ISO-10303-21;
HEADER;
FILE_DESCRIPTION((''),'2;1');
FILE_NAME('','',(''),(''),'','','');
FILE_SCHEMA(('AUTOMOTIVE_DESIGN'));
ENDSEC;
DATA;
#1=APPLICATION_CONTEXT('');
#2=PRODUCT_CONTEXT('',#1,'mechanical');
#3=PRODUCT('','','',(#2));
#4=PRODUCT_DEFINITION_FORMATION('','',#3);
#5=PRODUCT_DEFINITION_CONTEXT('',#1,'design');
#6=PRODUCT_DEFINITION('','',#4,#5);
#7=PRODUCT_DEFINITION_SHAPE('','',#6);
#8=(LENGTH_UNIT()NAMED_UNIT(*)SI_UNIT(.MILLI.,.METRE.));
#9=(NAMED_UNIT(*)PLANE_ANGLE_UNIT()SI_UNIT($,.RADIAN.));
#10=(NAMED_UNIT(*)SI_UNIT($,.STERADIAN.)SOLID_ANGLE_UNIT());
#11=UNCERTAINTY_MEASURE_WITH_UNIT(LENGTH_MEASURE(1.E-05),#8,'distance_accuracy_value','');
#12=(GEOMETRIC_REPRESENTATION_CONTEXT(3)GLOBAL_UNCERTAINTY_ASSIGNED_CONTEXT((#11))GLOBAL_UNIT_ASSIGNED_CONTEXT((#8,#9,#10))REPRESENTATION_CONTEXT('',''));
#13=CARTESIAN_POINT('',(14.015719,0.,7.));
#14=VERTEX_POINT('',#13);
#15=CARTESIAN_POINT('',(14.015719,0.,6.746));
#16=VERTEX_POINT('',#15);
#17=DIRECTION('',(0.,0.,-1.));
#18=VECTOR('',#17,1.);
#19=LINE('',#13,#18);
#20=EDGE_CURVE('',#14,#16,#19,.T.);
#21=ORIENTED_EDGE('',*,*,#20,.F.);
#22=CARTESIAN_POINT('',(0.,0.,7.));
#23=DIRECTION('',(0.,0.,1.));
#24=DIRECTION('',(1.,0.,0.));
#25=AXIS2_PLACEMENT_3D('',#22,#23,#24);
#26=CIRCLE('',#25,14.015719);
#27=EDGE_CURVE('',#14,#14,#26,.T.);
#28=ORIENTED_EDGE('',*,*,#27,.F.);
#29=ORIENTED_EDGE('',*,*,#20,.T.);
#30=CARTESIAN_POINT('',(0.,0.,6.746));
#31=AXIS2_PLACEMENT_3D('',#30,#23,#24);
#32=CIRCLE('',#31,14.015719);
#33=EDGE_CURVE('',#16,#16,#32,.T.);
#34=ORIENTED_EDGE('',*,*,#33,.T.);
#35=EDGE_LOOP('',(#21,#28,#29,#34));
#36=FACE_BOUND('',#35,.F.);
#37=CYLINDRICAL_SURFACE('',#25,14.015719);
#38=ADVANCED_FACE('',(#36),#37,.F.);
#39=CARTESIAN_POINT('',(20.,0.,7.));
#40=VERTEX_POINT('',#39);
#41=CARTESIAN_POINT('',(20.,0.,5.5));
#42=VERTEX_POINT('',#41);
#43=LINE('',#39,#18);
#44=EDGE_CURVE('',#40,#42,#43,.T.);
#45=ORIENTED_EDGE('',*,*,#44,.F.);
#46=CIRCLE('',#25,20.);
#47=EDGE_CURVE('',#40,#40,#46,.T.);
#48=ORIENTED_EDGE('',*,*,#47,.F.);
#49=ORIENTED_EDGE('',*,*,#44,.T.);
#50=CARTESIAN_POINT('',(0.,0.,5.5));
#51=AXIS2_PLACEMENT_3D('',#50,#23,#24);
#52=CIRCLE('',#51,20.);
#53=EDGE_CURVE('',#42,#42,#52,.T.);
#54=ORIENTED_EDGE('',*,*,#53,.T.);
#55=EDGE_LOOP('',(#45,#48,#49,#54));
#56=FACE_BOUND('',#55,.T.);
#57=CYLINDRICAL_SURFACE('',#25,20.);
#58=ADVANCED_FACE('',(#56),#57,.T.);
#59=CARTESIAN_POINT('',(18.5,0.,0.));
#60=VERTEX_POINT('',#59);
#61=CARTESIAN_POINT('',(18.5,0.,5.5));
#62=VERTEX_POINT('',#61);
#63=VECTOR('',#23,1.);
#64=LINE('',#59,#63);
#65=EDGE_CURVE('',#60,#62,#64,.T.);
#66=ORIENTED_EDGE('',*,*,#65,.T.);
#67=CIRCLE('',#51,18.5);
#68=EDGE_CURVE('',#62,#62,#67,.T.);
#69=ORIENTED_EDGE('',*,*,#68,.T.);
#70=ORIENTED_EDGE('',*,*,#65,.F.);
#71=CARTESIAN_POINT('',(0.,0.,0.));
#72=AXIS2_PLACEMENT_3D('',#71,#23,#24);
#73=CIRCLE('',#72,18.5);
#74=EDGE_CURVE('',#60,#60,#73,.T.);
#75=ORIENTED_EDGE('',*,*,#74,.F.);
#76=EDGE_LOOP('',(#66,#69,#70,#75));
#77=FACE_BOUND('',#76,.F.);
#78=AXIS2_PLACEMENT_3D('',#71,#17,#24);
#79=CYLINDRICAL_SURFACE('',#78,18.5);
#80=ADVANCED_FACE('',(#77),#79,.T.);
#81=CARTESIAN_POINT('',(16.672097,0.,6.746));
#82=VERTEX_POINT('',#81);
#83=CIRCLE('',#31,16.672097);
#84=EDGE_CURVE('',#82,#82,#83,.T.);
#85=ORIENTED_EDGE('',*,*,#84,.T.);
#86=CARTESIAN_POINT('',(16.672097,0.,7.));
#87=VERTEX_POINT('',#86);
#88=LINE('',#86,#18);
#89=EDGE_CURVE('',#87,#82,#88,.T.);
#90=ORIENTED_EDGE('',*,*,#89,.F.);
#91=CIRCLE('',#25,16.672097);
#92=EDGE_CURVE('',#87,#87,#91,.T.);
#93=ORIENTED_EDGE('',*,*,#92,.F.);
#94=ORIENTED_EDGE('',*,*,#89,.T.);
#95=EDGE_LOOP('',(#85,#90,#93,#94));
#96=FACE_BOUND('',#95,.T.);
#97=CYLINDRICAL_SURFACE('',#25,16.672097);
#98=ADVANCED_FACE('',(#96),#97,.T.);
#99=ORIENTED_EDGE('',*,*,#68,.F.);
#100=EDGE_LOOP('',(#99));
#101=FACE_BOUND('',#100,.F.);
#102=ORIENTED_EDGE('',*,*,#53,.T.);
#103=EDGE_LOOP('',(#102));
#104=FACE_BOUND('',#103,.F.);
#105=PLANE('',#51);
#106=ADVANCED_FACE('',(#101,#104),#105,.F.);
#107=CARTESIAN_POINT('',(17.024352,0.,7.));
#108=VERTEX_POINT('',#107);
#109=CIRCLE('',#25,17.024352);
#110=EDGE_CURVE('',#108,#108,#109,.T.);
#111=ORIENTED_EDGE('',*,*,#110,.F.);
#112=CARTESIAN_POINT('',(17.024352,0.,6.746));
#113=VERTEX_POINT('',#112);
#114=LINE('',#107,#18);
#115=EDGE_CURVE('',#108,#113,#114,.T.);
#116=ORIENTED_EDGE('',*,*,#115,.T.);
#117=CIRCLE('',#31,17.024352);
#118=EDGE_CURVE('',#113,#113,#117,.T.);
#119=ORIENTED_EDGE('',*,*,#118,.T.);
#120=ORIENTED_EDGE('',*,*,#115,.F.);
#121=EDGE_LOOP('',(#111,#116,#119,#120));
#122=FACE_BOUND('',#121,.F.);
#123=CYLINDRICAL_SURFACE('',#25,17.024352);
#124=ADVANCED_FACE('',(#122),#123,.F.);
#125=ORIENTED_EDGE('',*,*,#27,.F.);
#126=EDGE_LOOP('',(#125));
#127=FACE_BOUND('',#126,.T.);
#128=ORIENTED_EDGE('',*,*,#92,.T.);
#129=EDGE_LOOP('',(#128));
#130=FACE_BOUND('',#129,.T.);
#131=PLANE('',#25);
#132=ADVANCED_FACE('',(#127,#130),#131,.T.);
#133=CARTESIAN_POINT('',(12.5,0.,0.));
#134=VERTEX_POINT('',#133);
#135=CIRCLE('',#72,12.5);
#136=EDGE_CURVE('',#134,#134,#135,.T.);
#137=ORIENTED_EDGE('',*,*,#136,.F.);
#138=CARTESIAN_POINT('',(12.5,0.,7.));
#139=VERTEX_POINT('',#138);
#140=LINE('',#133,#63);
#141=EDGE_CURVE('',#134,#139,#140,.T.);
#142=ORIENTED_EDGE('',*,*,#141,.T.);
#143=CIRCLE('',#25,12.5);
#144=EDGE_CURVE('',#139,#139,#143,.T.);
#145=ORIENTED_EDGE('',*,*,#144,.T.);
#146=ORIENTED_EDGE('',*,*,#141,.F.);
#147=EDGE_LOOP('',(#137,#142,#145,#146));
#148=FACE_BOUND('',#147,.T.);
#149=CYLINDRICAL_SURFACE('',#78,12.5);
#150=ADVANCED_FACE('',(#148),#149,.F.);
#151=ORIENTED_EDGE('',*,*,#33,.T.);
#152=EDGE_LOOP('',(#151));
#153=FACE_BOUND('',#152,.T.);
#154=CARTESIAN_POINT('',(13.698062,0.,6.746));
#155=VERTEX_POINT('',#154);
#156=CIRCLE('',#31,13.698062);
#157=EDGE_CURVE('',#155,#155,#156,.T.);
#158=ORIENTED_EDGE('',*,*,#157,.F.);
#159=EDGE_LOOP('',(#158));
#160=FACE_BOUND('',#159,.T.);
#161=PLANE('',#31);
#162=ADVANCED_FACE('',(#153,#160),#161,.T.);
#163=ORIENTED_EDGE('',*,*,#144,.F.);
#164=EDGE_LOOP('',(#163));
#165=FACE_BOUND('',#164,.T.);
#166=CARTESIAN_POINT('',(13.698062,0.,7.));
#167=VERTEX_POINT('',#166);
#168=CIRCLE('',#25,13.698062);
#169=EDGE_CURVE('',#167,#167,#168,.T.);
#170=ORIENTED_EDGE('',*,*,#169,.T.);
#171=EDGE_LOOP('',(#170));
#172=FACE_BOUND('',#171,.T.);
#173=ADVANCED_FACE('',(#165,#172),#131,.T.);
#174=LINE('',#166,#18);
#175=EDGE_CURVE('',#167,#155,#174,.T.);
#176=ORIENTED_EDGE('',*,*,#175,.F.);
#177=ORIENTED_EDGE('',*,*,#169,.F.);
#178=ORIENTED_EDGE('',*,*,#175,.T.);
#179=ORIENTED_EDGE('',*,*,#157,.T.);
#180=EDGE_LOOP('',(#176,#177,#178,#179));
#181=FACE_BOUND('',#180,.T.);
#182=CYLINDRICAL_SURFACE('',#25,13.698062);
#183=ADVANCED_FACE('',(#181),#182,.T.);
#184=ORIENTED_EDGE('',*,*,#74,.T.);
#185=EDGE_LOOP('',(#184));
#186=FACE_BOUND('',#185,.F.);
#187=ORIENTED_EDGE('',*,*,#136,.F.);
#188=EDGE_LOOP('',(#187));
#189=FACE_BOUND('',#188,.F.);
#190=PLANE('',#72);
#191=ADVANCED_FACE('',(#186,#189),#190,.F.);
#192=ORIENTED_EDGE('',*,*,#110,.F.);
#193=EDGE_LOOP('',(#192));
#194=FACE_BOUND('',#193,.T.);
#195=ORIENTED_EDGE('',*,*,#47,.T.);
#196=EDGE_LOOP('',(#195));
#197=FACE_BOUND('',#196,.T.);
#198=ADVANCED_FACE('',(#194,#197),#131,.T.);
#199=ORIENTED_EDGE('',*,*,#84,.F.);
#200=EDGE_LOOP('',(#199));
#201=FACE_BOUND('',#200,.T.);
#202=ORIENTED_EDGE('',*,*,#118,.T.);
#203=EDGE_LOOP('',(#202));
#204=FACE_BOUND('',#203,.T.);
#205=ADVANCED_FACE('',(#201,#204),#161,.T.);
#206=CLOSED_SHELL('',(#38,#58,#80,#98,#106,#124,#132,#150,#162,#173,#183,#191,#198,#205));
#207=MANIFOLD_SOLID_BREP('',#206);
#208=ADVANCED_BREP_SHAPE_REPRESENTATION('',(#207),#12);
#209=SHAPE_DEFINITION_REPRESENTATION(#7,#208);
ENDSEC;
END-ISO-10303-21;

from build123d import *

# Parameters (mm, degrees)
F0_R     = 18.5
F0_R_2   = 12.5
F1_DEPTH = 7
F2_R     = 14.015719
F2_R_2   = 13.698062
F3_DEPTH = 0.254
F4_R     = 17.024352
F4_R_2   = 16.672097
F5_DEPTH = 0.254
F6_R     = 20
F6_R_2   = 18.5
F7_DEPTH = 1.5


with BuildPart() as f1:
    # F0 (on Top) → F1 (new body)
    with BuildSketch(Plane.XY):
        Circle(F0_R)
        Circle(F0_R_2, mode=Mode.SUBTRACT)
    extrude(amount=F1_DEPTH)

    # F2 (on face) → F3 (cut)
    with BuildSketch(Plane.XY.offset(7)):
        Circle(F2_R)
        Circle(F2_R_2, mode=Mode.SUBTRACT)
    extrude(amount=-F3_DEPTH, mode=Mode.SUBTRACT)

    # F4 (on face) → F5 (cut)
    with BuildSketch(Plane.XY.offset(7)):
        Circle(F4_R)
        Circle(F4_R_2, mode=Mode.SUBTRACT)
    extrude(amount=-F5_DEPTH, mode=Mode.SUBTRACT)

    # F6 (on face) → F7 (join)
    with BuildSketch(Plane.XY.offset(7)):
        Circle(F6_R)
        Circle(F6_R_2, mode=Mode.SUBTRACT)
    extrude(amount=-F7_DEPTH)


solid = f1.part
